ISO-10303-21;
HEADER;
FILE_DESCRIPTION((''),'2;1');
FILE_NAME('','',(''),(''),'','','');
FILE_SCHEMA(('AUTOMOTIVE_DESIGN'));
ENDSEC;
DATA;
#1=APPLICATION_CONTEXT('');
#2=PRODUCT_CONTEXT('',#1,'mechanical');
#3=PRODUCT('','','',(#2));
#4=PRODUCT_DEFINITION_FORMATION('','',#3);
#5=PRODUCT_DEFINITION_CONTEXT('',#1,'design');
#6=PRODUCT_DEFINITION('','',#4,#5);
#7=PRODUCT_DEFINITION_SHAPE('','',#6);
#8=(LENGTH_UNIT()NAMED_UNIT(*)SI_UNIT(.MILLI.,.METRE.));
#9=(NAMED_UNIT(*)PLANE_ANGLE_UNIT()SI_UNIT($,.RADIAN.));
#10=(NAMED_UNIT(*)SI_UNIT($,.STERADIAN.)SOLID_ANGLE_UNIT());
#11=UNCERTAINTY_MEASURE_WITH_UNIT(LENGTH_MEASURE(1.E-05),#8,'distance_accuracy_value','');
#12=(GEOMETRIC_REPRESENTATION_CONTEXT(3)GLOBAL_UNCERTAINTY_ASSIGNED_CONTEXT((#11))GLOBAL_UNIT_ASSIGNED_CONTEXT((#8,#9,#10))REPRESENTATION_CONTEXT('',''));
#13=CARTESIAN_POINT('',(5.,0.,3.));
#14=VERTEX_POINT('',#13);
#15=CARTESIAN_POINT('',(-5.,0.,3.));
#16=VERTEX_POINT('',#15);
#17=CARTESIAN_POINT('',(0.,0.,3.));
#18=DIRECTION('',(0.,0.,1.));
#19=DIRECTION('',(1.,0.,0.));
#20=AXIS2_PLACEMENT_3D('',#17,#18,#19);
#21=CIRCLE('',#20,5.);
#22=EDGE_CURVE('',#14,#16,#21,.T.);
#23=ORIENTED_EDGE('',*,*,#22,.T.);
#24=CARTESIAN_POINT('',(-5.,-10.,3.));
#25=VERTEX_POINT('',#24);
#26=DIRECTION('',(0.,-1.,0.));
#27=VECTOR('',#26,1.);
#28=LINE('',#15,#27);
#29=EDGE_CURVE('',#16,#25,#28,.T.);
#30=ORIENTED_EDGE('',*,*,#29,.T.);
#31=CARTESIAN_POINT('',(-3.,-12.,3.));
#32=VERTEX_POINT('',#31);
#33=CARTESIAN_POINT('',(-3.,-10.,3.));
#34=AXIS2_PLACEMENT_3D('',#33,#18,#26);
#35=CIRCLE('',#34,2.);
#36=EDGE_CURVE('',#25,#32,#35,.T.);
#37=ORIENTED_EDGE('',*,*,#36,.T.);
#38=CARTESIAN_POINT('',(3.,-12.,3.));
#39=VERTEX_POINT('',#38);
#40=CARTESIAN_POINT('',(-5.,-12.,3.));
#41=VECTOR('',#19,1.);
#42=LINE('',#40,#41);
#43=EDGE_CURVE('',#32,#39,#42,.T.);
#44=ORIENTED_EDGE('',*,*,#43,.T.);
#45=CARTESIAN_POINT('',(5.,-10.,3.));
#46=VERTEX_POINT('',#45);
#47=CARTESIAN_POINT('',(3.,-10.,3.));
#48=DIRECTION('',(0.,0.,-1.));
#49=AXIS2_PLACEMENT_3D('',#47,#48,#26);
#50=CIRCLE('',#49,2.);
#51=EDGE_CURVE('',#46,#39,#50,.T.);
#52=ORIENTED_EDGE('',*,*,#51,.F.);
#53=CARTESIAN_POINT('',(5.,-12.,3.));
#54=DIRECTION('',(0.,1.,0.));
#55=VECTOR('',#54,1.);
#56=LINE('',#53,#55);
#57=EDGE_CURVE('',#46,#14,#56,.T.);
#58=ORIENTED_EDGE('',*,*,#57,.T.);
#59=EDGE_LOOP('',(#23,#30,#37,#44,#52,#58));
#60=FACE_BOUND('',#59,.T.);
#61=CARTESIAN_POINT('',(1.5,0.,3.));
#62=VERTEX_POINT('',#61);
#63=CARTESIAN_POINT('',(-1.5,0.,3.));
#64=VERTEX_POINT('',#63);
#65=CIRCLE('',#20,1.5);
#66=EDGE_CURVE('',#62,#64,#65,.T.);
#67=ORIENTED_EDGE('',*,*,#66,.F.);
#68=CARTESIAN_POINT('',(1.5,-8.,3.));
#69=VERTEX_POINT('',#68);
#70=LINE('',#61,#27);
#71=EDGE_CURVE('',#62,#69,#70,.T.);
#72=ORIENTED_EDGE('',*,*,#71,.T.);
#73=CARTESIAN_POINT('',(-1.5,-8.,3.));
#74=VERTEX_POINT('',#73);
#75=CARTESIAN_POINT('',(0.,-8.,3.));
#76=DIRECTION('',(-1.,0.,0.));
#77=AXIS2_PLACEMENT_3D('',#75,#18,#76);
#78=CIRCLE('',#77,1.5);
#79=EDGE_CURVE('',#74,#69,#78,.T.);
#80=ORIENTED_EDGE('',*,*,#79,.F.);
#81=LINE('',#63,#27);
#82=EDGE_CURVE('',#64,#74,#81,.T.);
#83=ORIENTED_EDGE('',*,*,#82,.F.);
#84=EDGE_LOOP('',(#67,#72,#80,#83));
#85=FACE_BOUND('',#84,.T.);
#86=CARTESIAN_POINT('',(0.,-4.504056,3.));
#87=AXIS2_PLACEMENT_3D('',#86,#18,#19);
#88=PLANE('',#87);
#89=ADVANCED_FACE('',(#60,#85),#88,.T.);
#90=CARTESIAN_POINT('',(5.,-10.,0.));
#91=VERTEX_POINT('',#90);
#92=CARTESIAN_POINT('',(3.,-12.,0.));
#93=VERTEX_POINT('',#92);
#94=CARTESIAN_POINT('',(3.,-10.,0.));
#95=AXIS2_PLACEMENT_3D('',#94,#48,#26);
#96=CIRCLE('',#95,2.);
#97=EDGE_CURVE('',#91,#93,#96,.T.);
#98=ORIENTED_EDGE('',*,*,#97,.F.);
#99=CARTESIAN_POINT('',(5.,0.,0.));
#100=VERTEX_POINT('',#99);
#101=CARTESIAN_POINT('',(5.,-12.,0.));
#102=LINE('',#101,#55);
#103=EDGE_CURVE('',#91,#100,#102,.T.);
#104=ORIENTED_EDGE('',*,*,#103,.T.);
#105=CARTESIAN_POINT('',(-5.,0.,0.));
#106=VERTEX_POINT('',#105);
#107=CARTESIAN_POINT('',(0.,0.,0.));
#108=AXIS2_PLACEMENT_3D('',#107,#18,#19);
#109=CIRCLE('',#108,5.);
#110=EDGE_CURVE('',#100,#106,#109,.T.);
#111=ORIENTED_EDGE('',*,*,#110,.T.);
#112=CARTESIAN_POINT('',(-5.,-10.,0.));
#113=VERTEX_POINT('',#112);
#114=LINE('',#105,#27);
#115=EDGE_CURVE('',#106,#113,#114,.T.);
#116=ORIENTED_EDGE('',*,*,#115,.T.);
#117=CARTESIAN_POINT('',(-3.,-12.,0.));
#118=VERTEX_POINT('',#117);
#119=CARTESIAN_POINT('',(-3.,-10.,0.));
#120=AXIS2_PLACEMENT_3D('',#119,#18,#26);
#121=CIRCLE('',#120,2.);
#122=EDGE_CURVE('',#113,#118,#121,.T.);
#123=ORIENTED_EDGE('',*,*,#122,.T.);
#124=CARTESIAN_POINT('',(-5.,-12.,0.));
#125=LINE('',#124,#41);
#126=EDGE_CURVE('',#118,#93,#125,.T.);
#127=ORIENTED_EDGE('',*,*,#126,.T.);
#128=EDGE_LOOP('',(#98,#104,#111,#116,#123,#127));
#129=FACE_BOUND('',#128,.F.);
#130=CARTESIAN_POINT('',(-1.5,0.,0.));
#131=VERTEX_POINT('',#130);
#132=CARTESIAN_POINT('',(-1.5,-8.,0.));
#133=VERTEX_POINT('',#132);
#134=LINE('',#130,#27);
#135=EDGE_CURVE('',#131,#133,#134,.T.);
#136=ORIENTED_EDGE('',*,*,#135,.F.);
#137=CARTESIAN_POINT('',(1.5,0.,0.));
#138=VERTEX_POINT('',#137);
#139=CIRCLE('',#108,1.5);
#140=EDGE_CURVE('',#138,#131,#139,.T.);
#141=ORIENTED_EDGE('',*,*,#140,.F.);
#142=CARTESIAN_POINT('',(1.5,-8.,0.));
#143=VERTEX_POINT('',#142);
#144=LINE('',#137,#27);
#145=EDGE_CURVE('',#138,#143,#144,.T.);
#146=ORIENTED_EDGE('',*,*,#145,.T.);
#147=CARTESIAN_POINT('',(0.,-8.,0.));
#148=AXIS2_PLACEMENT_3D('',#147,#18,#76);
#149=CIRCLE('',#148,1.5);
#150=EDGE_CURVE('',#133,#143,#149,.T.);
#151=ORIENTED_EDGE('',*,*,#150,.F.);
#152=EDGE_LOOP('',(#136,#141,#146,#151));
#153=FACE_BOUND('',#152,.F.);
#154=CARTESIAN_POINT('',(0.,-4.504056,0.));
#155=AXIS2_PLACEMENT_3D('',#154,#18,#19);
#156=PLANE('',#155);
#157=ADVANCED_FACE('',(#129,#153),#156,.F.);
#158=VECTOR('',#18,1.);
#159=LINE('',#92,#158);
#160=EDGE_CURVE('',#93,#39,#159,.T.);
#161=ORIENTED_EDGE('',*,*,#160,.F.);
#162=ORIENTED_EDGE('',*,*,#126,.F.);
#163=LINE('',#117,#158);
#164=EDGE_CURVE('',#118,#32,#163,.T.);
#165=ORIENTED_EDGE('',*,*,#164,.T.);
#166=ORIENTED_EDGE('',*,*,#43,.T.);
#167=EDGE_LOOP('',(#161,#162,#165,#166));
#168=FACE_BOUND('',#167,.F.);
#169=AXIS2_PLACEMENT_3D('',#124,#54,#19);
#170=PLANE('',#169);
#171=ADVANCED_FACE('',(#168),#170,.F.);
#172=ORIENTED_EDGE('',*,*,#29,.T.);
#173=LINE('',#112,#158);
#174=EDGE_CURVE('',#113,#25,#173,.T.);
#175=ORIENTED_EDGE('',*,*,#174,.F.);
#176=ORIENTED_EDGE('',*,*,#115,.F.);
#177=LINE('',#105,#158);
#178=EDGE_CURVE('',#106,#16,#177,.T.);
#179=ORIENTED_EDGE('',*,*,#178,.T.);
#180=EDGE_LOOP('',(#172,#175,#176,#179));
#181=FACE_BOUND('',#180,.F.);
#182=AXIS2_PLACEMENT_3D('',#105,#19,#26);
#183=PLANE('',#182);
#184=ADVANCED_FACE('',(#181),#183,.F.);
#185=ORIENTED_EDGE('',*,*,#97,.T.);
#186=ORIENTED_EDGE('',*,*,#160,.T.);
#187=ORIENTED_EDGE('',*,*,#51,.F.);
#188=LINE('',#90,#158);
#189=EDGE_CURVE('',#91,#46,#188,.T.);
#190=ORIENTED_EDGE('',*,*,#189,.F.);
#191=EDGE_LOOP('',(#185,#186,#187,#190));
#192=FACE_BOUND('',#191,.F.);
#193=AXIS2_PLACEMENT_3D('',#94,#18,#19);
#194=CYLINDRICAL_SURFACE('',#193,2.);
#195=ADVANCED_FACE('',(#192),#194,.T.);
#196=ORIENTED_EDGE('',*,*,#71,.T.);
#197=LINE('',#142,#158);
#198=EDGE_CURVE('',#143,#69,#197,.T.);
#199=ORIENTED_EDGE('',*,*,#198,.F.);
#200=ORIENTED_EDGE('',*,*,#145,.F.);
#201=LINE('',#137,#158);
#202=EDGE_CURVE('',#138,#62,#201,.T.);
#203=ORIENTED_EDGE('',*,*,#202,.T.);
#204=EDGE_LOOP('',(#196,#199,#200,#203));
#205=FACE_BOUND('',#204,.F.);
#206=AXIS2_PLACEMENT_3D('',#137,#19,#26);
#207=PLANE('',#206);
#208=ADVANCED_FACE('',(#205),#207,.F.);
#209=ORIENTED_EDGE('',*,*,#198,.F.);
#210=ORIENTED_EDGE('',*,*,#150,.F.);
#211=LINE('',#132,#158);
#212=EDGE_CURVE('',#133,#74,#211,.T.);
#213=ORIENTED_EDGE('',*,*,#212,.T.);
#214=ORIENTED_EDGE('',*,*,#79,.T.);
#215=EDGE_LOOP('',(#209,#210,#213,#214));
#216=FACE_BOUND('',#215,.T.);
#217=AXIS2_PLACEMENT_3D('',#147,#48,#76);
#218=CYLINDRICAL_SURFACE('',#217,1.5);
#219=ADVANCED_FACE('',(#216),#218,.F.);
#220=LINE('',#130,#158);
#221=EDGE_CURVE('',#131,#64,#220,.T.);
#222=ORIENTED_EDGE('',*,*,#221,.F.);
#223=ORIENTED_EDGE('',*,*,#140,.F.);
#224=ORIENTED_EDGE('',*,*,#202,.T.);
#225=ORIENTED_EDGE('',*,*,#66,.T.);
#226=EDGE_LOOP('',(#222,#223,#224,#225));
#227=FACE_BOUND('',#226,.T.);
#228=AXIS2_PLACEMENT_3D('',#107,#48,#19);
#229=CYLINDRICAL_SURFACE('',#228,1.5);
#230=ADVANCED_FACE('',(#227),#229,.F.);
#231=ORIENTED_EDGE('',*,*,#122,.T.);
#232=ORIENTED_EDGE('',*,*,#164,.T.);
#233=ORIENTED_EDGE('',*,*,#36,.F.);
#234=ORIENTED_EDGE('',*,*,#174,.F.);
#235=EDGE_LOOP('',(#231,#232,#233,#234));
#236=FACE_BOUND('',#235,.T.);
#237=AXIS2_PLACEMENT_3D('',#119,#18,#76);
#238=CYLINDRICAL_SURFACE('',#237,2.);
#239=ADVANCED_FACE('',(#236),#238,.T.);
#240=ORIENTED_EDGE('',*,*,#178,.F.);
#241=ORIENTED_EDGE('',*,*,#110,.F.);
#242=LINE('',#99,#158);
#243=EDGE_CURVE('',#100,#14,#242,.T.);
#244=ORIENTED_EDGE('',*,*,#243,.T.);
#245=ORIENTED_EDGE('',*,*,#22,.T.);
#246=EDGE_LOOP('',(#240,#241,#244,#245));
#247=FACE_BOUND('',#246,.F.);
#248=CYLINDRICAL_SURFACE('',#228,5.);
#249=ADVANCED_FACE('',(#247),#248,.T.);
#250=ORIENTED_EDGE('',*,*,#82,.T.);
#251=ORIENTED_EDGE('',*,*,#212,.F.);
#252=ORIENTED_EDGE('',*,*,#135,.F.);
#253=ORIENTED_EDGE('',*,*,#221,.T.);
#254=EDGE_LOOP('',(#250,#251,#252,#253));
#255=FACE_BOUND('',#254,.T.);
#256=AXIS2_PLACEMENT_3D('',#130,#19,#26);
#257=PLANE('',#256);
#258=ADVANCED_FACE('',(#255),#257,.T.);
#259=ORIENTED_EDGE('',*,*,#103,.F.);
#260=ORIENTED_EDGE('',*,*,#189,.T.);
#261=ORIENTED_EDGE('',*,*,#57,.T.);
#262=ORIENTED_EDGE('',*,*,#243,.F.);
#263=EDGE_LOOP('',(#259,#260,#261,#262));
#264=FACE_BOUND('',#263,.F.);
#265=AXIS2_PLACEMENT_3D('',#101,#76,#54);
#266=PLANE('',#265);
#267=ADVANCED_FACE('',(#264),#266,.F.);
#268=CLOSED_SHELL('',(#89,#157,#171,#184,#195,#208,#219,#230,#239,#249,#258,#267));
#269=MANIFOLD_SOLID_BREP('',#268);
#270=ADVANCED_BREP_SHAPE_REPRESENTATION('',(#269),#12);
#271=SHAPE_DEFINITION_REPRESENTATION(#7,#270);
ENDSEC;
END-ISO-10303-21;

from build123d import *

# Parameters (mm, degrees)
PAD_DEPTH = 3
FILLET_R  = 2


with BuildPart() as part:
    # Sketch → Pad (new body)
    with BuildSketch(Plane.XY):
        with BuildLine():
            ThreePointArc((5, 0), (0, 5), (-5, 0))
            Line((-5, 0), (-5, -12))
            Line((-5, -12), (5, -12))
            Line((5, -12), (5, 0))
        make_face()
        with BuildLine():
            ThreePointArc((1.5, 0), (0, 1.5), (-1.5, 0))
            Line((-1.5, 0), (-1.5, -8))
            ThreePointArc((-1.5, -8), (0, -9.5), (1.5, -8))
            Line((1.5, 0), (1.5, -8))
        make_face(mode=Mode.SUBTRACT)
    extrude(amount=PAD_DEPTH)

    # Fillet
    fillet_edges = [part.edges().sort_by_distance(p)[0] for p in [
        (-5, -12, 1.5),
        (5, -12, 1.5),
    ]]
    fillet(fillet_edges, radius=FILLET_R)


solid = part.part
